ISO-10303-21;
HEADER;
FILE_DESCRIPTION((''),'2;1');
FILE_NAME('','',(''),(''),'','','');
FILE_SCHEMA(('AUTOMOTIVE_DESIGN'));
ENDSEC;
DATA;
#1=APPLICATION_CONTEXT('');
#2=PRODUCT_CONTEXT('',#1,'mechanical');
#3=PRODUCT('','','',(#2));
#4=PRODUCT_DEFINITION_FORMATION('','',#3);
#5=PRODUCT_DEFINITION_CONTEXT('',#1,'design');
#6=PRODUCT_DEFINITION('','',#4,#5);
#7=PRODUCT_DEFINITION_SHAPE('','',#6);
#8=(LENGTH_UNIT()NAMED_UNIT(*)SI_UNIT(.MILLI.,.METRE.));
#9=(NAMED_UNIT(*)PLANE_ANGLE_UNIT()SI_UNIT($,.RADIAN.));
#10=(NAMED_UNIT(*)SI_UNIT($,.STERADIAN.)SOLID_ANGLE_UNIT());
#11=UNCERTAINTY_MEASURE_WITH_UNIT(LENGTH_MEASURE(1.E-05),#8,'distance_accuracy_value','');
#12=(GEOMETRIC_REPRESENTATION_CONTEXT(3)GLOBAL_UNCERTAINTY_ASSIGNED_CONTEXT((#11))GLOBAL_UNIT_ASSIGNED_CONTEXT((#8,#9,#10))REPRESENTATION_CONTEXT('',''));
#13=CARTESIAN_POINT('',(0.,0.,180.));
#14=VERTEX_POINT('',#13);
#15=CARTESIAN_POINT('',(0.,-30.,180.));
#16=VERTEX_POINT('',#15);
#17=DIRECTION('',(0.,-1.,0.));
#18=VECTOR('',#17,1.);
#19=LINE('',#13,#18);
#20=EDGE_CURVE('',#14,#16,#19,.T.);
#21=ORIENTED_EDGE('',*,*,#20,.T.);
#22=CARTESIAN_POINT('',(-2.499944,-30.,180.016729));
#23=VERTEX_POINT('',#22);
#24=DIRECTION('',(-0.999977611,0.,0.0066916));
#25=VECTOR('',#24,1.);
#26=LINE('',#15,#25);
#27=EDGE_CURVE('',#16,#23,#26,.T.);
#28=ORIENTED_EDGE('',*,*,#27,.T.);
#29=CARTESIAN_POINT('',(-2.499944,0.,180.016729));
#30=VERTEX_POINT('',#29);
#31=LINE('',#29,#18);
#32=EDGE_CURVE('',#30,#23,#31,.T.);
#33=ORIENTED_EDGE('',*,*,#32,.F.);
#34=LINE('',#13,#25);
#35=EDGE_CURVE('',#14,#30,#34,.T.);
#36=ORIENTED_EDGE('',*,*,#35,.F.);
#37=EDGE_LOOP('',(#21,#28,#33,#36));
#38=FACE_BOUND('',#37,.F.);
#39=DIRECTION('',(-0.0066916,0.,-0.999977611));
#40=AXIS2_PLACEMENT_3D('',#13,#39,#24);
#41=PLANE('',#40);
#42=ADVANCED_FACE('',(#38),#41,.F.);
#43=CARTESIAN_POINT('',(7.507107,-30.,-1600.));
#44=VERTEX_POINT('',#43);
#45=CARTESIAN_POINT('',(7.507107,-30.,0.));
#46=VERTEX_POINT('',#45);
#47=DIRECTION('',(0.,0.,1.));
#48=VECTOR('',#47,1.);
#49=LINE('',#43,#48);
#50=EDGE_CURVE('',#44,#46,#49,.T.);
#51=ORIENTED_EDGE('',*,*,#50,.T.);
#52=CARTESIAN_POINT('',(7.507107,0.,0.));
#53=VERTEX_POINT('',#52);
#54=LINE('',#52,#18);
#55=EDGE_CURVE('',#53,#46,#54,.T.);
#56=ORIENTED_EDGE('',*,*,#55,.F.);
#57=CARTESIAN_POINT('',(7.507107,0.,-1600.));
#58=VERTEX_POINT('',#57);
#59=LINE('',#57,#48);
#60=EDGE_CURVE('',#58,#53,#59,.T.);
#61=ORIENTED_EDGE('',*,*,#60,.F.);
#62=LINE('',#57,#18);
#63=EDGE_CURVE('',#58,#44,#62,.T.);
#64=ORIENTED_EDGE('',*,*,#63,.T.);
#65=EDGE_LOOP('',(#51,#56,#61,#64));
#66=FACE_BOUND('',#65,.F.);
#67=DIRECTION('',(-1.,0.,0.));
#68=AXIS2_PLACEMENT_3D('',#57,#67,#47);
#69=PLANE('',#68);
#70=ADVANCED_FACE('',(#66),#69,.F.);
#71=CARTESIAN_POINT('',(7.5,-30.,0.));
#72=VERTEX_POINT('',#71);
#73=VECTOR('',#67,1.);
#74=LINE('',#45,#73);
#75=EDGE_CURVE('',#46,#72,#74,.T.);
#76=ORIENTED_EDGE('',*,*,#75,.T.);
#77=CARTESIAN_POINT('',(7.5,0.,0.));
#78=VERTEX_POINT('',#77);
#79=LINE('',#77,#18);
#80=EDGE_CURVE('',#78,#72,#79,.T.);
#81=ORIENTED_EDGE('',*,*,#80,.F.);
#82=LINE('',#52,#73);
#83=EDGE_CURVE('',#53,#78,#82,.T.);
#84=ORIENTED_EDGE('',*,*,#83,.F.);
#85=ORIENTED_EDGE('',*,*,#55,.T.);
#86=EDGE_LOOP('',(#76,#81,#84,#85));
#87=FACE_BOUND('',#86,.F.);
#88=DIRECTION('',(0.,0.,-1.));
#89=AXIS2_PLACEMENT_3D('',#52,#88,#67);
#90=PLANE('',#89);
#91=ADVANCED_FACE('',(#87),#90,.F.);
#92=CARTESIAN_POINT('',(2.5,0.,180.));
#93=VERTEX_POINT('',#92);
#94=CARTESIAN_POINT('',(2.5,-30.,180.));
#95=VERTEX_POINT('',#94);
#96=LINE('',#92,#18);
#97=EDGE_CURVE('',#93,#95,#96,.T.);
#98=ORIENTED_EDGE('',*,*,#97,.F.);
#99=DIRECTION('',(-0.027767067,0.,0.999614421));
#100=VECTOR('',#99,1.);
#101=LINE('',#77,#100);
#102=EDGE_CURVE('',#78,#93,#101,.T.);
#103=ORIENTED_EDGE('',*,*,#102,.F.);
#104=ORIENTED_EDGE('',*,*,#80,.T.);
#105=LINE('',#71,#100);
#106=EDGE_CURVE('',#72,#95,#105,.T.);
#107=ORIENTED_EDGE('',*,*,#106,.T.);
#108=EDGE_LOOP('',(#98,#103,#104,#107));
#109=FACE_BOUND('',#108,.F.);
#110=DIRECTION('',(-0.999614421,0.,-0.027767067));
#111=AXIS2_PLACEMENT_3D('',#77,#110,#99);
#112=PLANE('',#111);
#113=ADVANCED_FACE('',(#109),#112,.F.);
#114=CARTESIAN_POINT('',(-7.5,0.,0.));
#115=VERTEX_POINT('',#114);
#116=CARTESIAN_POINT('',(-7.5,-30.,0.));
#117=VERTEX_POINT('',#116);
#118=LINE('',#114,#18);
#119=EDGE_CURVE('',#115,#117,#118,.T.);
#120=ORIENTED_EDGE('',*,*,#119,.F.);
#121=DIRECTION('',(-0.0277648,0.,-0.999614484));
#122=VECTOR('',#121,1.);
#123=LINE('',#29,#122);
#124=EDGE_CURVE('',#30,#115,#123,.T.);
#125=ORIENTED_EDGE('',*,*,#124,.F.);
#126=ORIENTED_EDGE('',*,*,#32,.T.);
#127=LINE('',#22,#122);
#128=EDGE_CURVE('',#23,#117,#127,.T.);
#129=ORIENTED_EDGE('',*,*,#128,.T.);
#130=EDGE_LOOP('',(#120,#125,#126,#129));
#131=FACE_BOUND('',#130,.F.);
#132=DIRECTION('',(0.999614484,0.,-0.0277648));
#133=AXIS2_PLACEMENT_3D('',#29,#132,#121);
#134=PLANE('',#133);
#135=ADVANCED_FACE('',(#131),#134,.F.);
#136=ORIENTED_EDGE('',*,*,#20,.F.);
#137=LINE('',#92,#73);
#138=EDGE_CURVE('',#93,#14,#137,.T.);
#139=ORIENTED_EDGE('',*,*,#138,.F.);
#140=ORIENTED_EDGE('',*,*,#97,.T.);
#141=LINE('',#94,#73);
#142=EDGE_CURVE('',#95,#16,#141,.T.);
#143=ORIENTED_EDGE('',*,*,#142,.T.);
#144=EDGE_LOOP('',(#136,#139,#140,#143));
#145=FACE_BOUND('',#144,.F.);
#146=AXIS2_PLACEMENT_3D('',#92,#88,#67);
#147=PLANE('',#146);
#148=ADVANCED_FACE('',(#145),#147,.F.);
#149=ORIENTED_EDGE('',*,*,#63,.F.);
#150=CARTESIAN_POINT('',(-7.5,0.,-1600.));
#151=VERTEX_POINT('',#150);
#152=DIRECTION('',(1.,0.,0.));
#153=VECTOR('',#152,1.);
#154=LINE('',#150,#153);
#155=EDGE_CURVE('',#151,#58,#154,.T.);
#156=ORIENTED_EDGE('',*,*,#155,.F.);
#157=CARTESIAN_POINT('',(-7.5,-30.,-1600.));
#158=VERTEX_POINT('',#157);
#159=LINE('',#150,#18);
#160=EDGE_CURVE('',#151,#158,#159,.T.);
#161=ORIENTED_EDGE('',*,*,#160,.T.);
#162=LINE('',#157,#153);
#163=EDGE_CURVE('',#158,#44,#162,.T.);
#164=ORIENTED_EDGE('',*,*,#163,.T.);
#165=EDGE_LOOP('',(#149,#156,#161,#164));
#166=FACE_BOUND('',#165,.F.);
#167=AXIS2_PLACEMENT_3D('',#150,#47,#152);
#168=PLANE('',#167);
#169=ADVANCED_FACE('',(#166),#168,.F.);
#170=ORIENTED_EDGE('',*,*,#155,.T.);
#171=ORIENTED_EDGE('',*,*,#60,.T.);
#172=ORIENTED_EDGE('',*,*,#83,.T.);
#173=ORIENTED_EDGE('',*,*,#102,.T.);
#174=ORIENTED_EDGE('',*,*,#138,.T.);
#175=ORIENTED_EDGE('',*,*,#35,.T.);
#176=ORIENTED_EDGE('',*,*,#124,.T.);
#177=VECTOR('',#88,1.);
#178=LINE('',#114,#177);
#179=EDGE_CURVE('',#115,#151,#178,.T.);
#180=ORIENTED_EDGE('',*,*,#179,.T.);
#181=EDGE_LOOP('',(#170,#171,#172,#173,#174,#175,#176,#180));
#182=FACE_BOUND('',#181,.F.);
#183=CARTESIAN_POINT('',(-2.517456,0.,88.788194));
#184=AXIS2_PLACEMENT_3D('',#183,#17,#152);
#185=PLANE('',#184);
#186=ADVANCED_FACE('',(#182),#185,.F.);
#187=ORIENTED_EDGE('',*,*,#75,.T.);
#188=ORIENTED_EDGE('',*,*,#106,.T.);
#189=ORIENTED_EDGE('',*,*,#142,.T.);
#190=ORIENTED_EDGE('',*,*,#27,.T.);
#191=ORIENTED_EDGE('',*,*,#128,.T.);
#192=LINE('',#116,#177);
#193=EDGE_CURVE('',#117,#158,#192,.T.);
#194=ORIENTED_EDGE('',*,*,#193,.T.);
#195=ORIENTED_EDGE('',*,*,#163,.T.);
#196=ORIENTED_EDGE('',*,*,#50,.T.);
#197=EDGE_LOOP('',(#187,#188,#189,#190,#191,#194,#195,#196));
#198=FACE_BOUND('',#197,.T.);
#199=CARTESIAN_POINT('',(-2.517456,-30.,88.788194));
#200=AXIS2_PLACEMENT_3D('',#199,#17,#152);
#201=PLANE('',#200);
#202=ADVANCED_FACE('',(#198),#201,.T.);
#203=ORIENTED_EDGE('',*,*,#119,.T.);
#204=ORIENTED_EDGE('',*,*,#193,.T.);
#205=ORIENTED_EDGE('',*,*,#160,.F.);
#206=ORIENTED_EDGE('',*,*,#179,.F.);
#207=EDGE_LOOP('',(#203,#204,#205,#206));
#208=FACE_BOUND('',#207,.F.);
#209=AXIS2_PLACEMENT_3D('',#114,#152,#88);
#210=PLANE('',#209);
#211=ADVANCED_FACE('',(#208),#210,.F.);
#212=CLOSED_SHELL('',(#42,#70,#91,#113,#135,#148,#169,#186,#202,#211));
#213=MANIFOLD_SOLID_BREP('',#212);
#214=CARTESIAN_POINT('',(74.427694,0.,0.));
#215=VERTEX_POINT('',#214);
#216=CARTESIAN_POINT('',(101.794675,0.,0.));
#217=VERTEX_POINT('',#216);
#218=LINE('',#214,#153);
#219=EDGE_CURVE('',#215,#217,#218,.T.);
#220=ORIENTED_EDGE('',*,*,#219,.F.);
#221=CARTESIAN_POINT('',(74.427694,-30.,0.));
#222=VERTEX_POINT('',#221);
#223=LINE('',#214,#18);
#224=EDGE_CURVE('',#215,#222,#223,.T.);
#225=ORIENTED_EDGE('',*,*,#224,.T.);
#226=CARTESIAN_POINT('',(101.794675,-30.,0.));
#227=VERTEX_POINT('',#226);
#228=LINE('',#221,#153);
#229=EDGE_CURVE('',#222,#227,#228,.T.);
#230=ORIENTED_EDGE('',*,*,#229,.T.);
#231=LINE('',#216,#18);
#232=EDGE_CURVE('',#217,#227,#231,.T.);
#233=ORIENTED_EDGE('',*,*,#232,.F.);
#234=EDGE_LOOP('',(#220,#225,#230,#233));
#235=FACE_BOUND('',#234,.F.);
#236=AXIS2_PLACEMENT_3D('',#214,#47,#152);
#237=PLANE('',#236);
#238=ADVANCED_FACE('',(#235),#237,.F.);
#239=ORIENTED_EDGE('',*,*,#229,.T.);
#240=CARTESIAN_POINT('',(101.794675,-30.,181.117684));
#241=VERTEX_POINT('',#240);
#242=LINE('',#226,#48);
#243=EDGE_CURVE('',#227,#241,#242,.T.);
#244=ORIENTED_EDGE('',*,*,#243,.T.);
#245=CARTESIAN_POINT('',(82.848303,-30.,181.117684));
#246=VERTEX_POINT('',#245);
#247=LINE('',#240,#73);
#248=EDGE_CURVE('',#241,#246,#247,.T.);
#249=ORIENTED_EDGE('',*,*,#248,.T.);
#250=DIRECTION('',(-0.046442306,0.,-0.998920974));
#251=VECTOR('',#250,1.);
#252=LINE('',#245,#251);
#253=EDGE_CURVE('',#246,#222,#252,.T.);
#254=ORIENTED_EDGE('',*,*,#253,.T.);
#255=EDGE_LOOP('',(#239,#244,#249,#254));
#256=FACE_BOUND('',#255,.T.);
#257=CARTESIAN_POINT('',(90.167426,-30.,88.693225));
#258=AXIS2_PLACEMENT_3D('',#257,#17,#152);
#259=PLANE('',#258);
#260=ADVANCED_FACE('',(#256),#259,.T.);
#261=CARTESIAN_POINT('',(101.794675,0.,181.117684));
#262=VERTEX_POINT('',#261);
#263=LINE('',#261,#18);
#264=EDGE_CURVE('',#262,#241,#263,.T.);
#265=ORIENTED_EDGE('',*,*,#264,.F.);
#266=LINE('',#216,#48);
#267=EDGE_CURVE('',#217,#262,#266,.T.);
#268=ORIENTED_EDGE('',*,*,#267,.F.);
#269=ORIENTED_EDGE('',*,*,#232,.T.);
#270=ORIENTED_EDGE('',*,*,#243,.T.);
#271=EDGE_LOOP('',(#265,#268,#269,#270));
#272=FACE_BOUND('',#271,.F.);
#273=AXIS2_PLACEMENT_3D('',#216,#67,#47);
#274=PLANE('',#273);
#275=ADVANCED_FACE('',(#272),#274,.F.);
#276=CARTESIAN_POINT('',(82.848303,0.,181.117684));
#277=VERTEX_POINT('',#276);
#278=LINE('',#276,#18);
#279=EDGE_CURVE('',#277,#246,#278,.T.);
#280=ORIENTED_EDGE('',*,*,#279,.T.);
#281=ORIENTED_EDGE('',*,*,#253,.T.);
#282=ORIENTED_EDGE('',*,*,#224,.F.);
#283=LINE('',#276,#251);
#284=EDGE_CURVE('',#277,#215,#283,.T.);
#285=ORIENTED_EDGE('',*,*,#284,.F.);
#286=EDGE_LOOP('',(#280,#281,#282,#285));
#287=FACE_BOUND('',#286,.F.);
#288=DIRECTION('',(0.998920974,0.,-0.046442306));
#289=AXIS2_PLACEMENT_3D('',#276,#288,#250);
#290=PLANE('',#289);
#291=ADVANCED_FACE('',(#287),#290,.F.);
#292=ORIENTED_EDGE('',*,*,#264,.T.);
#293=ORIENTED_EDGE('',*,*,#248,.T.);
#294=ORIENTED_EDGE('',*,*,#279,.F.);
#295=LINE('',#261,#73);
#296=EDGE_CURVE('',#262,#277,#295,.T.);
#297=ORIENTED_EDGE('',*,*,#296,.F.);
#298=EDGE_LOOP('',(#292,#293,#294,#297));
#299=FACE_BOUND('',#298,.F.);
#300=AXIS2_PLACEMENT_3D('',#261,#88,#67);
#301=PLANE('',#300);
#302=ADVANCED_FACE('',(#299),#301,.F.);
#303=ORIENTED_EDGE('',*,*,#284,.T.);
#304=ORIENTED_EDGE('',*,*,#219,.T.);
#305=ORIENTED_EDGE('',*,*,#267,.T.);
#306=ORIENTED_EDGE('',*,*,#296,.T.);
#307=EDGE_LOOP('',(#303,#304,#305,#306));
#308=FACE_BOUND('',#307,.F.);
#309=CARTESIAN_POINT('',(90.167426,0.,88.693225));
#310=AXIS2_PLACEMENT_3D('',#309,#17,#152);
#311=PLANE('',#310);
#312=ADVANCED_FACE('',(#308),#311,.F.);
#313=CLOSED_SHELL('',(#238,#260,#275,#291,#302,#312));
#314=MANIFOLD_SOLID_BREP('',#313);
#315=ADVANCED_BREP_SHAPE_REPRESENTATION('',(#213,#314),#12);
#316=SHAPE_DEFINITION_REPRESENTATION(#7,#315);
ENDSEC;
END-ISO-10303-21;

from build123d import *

# Parameters (mm, degrees)
F1_DEPTH = 30
F3_DEPTH = 30


with BuildPart() as f1:
    # F0 (on Front) → F1 (new body)
    with BuildSketch(Plane.XZ):
        Polygon((-7.5, 0), (0, 0), (0, 180), (-2.499944, 180.016729), align=None)
        Polygon((0, 180), (0, 0), (7.5, 0), (2.5, 180), align=None)
        Polygon((7.5, 0), (0, 0), (-7.5, 0), (-7.5, -1600), (7.507107, -1600), (7.507107, 0), align=None)
    extrude(amount=F1_DEPTH)


with BuildPart() as f3:
    # F2 (on Front) → F3 (new body)
    with BuildSketch(Plane.XZ):
        Polygon((82.848303, 181.117684), (74.427694, 0), (101.794675, 0), (101.794675, 181.117684), align=None)
    extrude(amount=F3_DEPTH)


solid = Compound([f1.part, f3.part])
